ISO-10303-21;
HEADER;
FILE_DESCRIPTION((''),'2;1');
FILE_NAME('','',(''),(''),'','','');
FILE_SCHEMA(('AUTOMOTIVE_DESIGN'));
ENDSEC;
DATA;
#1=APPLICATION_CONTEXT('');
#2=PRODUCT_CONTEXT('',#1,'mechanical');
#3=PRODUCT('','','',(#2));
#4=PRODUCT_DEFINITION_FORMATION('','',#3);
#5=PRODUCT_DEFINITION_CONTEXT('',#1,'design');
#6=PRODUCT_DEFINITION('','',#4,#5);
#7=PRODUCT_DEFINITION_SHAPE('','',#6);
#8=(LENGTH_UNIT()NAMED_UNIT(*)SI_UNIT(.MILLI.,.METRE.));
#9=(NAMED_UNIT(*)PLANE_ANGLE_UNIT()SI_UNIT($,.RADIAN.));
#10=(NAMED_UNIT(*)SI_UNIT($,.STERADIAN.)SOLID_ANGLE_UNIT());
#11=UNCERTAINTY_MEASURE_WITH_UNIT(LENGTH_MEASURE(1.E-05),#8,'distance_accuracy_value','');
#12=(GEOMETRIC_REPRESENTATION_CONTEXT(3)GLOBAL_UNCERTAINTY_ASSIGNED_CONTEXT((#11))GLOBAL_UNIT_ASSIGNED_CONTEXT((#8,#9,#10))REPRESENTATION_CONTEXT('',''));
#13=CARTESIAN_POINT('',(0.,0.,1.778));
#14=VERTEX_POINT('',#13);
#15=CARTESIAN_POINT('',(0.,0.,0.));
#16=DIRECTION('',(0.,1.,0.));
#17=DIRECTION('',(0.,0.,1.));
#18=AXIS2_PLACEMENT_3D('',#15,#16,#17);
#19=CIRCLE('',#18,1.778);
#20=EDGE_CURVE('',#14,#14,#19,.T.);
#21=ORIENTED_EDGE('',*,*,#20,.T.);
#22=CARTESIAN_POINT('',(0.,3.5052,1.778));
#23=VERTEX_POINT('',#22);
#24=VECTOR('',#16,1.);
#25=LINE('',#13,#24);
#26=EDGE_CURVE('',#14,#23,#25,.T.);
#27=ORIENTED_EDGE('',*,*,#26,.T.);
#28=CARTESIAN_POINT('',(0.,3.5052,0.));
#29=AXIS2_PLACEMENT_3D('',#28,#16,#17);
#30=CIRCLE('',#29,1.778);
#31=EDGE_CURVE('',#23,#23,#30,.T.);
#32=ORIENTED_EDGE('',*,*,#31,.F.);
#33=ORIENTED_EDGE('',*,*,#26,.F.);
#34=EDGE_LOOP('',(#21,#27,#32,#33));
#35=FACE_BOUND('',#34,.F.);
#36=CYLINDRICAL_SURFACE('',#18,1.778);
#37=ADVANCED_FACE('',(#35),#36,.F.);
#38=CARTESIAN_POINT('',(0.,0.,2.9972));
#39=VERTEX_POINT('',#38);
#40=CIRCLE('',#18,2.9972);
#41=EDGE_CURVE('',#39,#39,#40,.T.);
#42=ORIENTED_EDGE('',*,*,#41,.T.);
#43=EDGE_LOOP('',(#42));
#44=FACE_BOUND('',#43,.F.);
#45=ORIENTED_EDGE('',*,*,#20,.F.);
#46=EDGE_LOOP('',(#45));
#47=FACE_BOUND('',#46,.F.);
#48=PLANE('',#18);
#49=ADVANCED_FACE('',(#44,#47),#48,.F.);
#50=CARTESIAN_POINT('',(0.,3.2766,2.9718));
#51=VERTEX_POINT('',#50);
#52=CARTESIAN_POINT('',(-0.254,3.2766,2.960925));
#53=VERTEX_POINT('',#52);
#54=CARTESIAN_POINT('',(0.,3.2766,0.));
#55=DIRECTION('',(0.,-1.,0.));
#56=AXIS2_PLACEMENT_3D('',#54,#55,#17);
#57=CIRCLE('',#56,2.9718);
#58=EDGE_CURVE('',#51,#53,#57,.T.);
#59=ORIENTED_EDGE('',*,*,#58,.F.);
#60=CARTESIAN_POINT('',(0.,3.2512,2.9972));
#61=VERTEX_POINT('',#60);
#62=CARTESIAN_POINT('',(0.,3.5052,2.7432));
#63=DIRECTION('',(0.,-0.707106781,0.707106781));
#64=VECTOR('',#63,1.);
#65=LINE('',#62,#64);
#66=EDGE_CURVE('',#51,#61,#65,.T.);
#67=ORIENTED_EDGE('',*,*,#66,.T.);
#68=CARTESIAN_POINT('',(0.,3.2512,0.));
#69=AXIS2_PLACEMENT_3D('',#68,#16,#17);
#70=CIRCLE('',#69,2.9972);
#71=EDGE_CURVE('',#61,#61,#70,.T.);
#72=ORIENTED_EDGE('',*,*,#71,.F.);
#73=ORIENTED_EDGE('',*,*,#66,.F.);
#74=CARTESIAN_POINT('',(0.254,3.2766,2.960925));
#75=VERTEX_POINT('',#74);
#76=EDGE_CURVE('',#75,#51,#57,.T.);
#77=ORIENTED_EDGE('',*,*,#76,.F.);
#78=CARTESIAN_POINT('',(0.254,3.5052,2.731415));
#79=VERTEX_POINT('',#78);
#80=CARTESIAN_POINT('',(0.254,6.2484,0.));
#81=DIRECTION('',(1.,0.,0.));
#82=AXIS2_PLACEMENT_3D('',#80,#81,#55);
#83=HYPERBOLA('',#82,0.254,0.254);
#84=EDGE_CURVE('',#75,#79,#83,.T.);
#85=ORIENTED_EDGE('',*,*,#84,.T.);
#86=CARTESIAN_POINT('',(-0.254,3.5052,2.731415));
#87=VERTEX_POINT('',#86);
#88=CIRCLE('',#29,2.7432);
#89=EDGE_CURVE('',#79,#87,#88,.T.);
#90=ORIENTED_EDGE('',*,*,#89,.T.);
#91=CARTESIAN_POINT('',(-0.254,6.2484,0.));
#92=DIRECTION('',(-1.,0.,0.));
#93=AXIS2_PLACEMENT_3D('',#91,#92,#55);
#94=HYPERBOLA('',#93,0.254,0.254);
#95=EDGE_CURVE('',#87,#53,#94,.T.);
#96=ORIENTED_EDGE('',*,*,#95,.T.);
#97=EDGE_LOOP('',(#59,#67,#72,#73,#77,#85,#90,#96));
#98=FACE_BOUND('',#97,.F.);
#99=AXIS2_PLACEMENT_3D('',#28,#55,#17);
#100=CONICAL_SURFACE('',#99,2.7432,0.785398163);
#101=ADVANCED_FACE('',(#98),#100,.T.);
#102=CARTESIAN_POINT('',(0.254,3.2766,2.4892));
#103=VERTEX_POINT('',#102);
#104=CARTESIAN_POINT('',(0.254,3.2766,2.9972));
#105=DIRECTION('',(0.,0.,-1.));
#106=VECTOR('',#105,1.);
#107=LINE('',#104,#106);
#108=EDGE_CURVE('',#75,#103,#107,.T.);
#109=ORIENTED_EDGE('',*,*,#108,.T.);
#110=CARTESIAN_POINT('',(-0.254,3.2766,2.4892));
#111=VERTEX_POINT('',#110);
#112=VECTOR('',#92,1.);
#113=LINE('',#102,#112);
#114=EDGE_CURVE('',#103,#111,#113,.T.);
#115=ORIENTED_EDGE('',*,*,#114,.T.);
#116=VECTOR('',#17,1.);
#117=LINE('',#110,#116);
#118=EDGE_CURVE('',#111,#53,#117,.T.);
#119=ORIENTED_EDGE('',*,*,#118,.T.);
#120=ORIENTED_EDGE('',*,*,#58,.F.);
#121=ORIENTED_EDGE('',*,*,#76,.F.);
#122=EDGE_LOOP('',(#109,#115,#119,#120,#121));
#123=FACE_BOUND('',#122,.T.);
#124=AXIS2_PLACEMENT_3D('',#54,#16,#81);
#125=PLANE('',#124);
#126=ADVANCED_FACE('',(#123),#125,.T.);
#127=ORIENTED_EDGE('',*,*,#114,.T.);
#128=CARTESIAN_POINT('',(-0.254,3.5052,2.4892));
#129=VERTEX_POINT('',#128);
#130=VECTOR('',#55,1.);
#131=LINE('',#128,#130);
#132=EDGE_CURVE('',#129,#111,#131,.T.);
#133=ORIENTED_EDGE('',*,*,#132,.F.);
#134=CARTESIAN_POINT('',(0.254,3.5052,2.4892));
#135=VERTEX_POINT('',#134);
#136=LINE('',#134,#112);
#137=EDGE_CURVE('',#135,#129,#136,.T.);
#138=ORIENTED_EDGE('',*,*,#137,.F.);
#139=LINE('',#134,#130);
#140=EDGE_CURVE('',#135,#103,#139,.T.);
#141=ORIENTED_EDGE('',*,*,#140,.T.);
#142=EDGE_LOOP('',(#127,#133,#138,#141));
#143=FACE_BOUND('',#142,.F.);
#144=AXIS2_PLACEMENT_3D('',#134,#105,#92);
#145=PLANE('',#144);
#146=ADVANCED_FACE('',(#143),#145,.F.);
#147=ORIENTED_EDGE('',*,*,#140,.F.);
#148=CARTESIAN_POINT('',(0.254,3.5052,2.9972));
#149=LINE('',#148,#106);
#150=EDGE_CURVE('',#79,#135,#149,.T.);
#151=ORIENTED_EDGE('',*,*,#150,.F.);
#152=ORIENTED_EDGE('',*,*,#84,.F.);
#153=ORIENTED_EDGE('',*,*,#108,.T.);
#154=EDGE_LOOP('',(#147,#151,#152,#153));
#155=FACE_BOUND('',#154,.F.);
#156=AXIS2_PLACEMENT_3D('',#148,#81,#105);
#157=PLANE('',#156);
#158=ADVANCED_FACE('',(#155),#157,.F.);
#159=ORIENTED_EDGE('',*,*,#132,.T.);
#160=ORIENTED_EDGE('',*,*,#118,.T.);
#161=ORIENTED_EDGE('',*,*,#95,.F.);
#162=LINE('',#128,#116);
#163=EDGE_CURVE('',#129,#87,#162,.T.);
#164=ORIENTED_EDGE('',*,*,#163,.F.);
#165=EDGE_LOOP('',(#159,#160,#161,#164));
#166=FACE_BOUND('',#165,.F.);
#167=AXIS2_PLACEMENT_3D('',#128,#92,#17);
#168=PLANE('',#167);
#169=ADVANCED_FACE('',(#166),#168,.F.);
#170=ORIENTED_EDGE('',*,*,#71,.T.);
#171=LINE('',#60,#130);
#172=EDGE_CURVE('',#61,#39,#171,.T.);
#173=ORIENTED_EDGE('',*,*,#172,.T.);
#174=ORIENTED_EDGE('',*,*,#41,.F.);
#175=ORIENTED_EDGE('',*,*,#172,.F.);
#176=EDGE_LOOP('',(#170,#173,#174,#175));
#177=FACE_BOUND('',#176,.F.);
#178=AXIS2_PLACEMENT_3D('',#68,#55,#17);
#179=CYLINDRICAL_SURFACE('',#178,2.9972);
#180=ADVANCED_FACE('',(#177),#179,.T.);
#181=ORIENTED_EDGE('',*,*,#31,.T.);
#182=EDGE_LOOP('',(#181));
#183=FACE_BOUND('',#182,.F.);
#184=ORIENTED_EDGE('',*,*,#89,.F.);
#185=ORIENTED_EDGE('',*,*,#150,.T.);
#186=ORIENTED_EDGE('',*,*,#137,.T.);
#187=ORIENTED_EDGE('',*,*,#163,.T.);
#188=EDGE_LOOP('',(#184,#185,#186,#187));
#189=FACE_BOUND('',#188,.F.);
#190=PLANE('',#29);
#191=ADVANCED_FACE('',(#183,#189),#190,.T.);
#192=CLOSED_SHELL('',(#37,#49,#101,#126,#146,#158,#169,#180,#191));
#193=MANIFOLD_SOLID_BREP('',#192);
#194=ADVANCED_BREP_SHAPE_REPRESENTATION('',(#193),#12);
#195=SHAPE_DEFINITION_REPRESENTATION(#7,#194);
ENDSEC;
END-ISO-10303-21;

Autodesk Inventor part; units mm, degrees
sketch "Sketch_1" plane through (0, 0, 0) normal (1, 0, 0) x (0, 1, 0)
  line L0 (3.5052, 0) -> (0, 0)
  line L1 (0, 2.9972) -> (0, 1.778)
  line L2 (0, 1.778) -> (3.5052, 1.778)
  line L3 (3.5052, 1.778) -> (3.5052, 2.7432)
  line L4 (3.5052, 2.7432) -> (3.2512, 2.9972)
  line L5 (3.2512, 2.9972) -> (0, 2.9972)
revolve "Revolution1" add sketch "Sketch_1" angle 360 about axis through (0, 3.5052, 0) along (0, 1, 0)
sketch "Sketch_10" plane through (0, 3.5052, 0) normal (0, 1, 0) x (1, 0, 0)
  line L0 (-0.254, -2.9972) -> (0.254, -2.9972)
  line L1 (0.254, -2.9972) -> (0.254, -2.4892)
  line L2 (0.254, -2.4892) -> (-0.254, -2.4892)
  line L3 (-0.254, -2.4892) -> (-0.254, -2.9972)
extrude "Extrusion1" cut sketch "Sketch_10" against normal blind 0.2286
ref_plane "body_straight_XY" through (0, 0, 0) normal (0, 1, 0) x (1, 0, 0)
ref_plane "body_straight_YZ" through (0, 0, 0) normal (1, 0, 0) x (0, 0, -1)
ref_plane "body_straight_ZX" through (0, 0, 0) normal (0, 0, -1) x (0, 1, 0)
ref_plane "body_ver_ra_XY" through (0, 0, 0) normal (0, 0, 1) x (1, 0, 0)
ref_plane "body_ver_ra_YZ" through (0, 0, 0) normal (1, 0, 0) x (0, 1, 0)
ref_plane "body_ver_ra_ZX" through (0, 0, 0) normal (0, 1, 0) x (0, 0, 1)
ref_plane "cp_toggle__straight_XY" through (0, 3.5052, 0) normal (0, -1, 0) x (1, 0, 0)
ref_plane "cp_toggle__straight_YZ" through (0, 3.5052, 0) normal (1, 0, 0) x (0, 0, 1)
ref_plane "cp_toggle__straight_ZX" through (0, 3.5052, 0) normal (0, 0, 1) x (0, -1, 0)
ref_plane "toggle_vrtira_XY" through (0, 0, 3.5052) normal (0, 0, -1) x (1, 0, 0)
ref_plane "toggle_vrtira_YZ" through (0, 0, 3.5052) normal (1, 0, 0) x (0, -1, 0)
ref_plane "toggle_vrtira_ZX" through (0, 0, 3.5052) normal (0, -1, 0) x (0, 0, -1)
properties part number "B12APbtoggl"
